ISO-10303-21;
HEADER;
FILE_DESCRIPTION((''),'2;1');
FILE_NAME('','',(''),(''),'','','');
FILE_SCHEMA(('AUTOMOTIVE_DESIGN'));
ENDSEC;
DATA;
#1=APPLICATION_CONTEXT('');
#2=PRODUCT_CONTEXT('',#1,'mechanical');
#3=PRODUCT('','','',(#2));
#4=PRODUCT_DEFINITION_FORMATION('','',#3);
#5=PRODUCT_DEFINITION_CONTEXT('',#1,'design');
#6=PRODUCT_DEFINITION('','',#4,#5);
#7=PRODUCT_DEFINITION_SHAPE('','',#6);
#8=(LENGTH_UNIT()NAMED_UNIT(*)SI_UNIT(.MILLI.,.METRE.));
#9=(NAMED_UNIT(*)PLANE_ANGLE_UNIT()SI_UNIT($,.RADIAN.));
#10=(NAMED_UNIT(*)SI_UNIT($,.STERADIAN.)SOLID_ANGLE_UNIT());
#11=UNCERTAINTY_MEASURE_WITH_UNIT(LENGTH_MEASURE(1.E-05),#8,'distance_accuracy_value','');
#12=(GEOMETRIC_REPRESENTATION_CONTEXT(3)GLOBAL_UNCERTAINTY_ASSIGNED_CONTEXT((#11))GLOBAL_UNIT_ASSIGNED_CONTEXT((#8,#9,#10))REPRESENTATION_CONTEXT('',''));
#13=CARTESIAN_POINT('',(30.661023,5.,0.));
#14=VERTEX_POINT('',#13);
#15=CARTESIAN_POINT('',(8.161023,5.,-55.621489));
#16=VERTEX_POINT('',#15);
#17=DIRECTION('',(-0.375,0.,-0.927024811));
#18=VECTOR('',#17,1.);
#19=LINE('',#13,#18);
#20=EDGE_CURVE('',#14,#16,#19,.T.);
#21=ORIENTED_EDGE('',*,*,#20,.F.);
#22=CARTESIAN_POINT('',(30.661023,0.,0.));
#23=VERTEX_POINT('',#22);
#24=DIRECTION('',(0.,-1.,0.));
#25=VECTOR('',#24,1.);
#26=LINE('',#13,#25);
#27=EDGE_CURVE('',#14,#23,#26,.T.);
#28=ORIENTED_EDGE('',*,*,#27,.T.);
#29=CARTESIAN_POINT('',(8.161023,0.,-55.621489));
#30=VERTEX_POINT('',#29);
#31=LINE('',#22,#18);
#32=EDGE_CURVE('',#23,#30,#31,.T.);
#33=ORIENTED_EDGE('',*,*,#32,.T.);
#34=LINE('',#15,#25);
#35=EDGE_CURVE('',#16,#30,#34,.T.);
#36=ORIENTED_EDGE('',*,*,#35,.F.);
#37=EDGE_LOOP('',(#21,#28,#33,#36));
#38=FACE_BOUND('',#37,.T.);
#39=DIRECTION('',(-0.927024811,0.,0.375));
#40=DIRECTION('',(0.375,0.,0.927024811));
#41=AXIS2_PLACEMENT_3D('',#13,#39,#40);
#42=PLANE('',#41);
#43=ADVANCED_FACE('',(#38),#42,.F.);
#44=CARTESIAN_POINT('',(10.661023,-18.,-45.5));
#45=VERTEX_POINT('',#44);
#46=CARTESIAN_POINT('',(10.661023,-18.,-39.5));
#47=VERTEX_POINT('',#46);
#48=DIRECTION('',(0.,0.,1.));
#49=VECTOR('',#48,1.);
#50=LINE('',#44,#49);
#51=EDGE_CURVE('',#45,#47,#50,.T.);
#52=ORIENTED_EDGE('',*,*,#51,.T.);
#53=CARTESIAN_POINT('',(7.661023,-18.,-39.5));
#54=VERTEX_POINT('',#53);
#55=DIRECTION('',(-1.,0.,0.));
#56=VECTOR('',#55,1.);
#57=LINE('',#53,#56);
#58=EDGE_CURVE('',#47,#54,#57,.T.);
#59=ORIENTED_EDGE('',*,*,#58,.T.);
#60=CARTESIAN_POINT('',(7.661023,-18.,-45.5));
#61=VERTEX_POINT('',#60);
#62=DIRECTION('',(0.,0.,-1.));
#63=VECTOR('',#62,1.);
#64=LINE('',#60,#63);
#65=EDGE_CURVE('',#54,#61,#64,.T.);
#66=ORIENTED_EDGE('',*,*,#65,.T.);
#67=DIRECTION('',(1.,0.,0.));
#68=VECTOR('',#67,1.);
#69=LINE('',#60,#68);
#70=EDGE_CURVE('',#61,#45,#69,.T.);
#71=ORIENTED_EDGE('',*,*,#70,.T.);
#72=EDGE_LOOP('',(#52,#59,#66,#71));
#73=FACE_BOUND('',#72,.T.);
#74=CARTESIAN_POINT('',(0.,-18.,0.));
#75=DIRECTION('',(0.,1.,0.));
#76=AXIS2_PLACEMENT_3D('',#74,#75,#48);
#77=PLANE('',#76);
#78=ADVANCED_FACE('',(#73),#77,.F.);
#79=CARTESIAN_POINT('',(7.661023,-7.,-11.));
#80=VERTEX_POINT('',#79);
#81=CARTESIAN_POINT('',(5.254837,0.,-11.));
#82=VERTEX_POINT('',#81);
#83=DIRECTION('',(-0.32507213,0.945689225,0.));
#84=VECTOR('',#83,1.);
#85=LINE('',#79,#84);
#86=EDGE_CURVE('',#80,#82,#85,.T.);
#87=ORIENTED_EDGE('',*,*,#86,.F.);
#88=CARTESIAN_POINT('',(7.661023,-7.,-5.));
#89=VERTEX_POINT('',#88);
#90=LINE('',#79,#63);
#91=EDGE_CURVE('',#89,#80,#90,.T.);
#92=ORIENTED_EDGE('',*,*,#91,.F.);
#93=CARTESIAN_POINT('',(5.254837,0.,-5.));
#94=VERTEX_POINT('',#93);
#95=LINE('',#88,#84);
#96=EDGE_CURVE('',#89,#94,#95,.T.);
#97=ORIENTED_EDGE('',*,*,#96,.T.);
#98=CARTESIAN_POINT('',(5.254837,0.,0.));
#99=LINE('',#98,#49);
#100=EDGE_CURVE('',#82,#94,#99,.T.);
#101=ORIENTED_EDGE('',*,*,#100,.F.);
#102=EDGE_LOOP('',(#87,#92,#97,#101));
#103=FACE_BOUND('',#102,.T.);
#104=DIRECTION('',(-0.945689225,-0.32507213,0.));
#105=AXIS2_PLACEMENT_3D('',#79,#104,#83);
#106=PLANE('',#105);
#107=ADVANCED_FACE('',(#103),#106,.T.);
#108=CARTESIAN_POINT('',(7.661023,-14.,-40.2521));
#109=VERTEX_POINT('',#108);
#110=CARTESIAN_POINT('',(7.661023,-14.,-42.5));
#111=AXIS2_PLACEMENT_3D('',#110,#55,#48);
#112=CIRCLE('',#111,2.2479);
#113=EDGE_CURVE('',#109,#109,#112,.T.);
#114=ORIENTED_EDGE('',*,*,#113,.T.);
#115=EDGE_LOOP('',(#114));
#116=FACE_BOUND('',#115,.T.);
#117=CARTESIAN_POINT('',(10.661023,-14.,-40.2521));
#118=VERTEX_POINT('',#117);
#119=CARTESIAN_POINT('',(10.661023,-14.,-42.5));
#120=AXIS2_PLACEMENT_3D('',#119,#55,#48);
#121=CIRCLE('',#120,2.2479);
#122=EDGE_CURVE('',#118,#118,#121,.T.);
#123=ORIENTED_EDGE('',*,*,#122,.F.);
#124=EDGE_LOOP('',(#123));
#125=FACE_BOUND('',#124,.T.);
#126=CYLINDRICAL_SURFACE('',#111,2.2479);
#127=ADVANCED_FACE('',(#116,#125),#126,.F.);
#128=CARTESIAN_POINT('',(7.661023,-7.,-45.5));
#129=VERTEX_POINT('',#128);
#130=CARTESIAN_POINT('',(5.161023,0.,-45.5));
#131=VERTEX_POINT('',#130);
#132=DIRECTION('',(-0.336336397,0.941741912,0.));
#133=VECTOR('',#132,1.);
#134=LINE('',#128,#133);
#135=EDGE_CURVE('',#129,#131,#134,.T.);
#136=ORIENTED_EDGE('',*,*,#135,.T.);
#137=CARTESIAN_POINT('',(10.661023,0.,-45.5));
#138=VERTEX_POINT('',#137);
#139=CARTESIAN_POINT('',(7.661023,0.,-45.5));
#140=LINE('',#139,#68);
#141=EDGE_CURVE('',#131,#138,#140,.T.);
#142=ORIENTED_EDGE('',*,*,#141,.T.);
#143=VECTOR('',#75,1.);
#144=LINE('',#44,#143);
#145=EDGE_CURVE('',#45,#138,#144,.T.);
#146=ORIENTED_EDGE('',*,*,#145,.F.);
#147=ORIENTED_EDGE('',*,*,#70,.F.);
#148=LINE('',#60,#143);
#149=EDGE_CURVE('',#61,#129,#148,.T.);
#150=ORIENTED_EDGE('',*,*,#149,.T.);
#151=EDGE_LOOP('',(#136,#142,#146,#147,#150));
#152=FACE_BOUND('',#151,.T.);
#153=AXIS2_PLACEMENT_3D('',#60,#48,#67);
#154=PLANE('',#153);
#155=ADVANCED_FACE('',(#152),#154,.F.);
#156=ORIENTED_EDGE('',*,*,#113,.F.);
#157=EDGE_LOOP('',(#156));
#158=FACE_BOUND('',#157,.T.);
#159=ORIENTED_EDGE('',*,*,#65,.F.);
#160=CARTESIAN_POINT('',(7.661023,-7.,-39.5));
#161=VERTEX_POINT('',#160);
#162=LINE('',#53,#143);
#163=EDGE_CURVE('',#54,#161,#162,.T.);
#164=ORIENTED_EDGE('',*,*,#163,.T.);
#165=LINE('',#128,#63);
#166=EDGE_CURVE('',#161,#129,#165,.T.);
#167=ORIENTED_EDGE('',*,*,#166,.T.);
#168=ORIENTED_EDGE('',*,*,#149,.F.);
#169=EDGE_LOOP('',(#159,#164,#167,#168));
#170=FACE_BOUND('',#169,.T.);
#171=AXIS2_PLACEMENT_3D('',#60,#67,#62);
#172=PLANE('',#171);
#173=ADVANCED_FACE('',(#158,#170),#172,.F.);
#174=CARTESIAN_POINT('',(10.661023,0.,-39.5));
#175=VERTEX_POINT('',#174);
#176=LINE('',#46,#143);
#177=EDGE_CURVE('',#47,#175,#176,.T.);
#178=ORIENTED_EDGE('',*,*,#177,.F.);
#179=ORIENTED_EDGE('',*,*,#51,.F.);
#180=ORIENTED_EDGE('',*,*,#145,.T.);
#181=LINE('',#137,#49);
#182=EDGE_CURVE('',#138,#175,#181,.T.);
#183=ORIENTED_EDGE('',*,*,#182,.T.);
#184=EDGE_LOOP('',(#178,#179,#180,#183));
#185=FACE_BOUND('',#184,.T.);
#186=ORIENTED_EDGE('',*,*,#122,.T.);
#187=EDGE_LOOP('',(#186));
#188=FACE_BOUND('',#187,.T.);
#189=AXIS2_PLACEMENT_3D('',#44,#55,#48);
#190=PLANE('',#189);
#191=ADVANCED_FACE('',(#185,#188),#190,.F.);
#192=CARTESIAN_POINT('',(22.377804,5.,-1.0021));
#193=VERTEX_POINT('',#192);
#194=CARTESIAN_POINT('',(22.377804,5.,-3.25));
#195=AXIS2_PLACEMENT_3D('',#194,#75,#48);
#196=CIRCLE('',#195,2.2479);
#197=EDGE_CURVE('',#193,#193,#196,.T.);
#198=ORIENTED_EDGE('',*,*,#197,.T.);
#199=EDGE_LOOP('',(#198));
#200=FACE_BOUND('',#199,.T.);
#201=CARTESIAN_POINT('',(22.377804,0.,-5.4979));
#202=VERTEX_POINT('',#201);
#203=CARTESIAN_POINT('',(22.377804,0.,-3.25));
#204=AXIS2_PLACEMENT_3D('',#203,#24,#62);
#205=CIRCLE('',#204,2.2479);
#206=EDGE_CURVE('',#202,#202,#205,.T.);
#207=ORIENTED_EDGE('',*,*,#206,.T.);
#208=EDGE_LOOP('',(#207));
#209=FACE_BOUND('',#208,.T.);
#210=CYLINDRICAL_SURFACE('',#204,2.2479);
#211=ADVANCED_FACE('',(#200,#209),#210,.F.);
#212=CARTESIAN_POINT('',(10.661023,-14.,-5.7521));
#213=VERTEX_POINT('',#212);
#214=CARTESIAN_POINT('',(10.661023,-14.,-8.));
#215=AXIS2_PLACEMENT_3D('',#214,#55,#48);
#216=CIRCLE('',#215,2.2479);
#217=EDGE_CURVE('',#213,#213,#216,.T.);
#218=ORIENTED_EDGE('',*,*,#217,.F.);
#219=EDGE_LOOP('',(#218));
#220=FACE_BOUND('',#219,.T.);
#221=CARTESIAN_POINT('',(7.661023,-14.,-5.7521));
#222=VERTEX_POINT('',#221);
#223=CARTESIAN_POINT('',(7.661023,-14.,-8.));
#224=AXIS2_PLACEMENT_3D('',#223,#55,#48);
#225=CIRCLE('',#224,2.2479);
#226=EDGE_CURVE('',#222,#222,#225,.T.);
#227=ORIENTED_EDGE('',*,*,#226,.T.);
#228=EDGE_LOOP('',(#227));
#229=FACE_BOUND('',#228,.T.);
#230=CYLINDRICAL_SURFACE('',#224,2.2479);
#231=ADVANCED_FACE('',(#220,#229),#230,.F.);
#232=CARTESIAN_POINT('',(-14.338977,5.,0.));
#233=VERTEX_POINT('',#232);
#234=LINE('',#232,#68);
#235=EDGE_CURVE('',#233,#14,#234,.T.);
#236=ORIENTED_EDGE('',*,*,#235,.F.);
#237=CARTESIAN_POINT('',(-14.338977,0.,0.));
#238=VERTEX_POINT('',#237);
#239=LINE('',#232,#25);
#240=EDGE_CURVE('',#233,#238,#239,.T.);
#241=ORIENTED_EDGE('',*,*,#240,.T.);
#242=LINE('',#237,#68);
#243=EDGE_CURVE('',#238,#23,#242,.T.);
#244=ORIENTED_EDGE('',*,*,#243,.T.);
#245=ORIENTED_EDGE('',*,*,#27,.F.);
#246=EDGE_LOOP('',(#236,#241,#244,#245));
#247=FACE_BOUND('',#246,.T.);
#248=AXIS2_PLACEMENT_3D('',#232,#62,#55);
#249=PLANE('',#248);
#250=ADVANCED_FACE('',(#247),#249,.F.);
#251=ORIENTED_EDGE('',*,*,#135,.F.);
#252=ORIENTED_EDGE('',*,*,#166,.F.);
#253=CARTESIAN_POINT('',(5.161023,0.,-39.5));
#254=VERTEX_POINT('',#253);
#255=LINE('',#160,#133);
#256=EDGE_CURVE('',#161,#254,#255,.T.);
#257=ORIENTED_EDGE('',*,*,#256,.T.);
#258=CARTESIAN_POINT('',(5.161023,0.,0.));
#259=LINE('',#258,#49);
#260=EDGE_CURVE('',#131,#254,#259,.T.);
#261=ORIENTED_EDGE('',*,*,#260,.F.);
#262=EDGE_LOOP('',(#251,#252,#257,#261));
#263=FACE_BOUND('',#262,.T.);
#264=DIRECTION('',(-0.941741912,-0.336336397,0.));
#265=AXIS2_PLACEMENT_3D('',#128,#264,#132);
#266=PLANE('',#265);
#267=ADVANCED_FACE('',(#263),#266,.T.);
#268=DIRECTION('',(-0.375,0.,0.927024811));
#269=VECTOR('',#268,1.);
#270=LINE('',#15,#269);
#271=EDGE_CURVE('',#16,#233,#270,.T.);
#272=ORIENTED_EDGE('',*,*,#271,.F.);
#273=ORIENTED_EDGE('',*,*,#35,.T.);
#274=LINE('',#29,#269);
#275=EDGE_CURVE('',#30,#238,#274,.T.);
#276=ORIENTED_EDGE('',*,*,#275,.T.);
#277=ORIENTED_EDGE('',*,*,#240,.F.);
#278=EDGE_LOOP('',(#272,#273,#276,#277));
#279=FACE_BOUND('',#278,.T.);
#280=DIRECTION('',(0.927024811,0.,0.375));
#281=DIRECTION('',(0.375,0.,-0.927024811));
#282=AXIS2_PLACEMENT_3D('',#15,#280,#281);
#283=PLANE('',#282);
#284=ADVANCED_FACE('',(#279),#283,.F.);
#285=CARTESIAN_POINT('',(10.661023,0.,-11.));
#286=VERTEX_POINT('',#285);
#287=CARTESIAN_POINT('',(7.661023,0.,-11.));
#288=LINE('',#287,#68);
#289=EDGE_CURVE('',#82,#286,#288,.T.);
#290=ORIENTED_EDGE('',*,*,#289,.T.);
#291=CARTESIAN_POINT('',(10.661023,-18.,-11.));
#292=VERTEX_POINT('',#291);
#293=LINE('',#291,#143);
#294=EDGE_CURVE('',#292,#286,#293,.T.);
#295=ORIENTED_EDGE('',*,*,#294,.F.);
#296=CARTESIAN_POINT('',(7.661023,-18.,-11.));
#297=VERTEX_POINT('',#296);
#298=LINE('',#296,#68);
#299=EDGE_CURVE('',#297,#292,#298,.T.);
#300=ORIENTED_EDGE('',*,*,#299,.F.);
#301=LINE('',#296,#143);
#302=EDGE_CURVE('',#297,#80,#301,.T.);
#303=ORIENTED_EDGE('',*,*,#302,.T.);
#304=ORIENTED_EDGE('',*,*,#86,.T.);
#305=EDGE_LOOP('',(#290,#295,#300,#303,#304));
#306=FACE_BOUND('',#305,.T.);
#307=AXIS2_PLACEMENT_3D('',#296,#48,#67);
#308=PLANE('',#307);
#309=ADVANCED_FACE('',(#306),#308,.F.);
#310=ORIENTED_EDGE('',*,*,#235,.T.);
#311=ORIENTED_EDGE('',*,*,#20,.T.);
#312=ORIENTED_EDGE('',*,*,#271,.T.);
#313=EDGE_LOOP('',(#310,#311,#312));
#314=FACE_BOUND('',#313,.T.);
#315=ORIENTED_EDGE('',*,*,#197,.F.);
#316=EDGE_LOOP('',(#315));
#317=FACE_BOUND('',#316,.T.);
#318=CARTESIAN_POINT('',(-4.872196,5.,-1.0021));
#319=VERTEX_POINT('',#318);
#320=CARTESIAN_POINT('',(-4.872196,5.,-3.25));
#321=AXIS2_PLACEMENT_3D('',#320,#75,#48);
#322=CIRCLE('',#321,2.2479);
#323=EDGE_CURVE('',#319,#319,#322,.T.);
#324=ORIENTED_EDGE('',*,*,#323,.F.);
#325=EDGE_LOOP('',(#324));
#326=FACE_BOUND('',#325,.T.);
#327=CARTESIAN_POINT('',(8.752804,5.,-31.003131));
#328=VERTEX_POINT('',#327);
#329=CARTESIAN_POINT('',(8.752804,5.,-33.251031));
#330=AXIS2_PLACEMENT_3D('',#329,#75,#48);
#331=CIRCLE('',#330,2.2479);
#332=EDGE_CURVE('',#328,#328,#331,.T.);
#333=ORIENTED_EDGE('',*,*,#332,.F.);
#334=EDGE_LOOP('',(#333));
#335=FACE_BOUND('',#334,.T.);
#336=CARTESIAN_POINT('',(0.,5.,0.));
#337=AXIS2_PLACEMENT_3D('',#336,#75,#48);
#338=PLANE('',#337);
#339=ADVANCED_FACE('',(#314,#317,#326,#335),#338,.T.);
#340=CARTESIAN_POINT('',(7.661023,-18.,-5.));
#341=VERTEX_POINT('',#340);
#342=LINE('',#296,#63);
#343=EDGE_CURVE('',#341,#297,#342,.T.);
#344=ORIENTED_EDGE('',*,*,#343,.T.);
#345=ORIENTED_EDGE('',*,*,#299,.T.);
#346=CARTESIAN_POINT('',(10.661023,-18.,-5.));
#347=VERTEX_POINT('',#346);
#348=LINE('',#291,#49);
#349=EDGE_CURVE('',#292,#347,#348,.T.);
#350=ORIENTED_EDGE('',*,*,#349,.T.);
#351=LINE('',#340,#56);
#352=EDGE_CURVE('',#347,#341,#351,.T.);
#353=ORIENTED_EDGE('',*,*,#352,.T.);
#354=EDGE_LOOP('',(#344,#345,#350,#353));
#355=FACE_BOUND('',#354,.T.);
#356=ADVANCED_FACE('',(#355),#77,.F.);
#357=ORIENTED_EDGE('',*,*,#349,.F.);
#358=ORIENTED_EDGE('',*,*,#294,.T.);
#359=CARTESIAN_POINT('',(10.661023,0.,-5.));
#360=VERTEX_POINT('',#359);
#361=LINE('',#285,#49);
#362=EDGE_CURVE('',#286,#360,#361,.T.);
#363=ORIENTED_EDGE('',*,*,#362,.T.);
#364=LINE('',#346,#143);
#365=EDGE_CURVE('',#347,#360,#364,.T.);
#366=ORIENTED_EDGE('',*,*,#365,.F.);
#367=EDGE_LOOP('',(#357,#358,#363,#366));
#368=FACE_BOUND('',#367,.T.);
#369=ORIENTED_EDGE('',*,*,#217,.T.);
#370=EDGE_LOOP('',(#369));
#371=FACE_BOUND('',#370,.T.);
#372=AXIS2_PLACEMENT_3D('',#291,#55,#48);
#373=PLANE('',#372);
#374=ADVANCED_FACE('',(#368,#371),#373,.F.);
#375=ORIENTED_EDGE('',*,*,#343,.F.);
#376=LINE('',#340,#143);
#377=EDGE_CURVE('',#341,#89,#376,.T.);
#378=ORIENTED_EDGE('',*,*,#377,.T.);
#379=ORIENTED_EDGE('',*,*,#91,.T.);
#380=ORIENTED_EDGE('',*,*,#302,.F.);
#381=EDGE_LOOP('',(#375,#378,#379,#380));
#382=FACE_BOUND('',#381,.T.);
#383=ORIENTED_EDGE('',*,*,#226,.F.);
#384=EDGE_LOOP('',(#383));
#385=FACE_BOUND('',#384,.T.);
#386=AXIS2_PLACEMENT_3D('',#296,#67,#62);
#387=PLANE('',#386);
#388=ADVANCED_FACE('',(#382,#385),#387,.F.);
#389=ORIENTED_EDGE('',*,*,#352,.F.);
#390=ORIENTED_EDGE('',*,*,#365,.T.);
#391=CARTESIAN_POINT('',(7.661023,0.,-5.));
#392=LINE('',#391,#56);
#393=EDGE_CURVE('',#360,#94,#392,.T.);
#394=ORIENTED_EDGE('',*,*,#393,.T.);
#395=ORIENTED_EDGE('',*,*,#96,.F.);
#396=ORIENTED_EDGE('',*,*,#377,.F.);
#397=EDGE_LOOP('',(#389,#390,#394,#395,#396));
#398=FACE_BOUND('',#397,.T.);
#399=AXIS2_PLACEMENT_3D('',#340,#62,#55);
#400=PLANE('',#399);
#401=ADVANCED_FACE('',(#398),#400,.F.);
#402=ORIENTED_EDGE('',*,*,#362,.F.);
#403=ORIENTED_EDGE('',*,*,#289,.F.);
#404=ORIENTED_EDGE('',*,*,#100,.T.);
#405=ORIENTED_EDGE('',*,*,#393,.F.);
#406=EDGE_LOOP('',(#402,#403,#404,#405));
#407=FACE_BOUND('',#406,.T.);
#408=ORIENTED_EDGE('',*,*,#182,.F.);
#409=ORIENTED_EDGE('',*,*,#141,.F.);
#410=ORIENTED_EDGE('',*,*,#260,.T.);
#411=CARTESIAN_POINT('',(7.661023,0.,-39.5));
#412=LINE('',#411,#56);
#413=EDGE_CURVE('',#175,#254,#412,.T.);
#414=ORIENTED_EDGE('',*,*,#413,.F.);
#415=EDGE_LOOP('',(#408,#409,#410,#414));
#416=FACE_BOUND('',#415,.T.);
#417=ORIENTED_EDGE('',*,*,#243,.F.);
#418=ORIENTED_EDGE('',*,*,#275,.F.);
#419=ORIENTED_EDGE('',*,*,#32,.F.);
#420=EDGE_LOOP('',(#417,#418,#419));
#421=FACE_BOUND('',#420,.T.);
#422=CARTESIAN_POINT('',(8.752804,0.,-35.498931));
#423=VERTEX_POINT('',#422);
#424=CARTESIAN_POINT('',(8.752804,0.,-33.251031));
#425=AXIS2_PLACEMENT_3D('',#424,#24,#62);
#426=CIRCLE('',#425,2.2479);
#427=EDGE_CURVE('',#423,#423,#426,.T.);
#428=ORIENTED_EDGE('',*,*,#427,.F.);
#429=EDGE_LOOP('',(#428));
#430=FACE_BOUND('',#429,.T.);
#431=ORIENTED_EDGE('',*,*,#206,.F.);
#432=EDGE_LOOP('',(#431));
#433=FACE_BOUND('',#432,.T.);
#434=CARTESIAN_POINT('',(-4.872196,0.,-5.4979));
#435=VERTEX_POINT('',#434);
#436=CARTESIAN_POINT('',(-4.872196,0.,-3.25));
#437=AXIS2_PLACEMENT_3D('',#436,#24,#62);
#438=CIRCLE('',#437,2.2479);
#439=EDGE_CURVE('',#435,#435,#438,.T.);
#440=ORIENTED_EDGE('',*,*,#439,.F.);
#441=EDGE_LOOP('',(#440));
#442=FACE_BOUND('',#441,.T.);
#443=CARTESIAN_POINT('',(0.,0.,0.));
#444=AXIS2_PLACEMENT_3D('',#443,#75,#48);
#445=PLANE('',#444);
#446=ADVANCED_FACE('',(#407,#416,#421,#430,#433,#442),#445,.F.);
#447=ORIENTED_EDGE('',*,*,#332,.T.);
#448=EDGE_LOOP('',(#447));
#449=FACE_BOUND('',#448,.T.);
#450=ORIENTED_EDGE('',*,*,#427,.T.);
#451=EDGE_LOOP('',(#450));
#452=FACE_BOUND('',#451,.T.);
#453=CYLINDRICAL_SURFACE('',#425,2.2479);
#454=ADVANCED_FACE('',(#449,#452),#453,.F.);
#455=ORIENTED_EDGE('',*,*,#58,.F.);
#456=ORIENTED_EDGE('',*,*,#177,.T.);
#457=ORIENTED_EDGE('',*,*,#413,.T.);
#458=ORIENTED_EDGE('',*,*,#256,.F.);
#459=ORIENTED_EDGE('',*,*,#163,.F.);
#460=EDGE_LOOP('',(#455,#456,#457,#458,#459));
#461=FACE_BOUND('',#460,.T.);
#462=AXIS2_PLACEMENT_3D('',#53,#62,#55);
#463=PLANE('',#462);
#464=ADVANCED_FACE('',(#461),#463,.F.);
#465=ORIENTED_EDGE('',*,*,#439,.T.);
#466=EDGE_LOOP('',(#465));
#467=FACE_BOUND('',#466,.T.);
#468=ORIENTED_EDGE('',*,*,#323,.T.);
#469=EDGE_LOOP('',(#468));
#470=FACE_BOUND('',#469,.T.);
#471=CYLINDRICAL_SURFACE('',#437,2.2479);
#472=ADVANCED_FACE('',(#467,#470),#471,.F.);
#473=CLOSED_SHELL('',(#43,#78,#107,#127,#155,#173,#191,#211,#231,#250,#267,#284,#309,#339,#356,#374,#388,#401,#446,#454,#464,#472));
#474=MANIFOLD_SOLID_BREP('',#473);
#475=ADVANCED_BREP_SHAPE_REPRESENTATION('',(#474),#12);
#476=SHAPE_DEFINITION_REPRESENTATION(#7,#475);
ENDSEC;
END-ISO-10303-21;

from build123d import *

# Parameters (mm, degrees)
BOSS_EXTRUDE1_DEPTH       = 5
F_8_CLEARANCE_HOLE1_D     = 4.4958
F_8_CLEARANCE_HOLE1_DEPTH = 17
F_8_CLEARANCE_HOLE1_TIP   = 1.350674586
SKETCH3_W                 = 3
SKETCH3_H                 = 6
BOSS_EXTRUDE2_DEPTH       = 18
RIB2_REACH                = 59.744
SKETCH17_WALL_W           = 124.92066757
SKETCH17_WALL_H           = 6
RIB3_REACH                = 59.054
SKETCH18_WALL_W           = 123.798893364
SKETCH18_WALL_H           = 6
F_8_CLEARANCE_HOLE2_D     = 4.4958
F_8_CLEARANCE_HOLE2_DEPTH = 17
F_8_CLEARANCE_HOLE2_TIP   = 1.350674586


with BuildPart() as part:
    # Sketch1 → Boss-Extrude1 (new body)
    with BuildSketch(Plane(origin=(0, 0, 0), x_dir=(1, 0, 0), z_dir=(0, 1, 0))):
        Polygon((-14.338976611, 0), (30.661023389, 0), (8.161023389, 55.621488653), align=None)
    extrude(amount=BOSS_EXTRUDE1_DEPTH)

    # #8 Clearance Hole1
    with Locations(Plane(origin=(22.377803879, 0, -3.25), x_dir=(0, 0, -1), z_dir=(0, -1, 0))):
        with Locations((0, 0), (0, -27.25), (30.001031232, -13.625)):
            Hole(F_8_CLEARANCE_HOLE1_D / 2, depth=F_8_CLEARANCE_HOLE1_DEPTH)
            with Locations((0, 0, -(F_8_CLEARANCE_HOLE1_DEPTH + F_8_CLEARANCE_HOLE1_TIP / 2))):  # 118° drill point
                Cone(0, F_8_CLEARANCE_HOLE1_D / 2, F_8_CLEARANCE_HOLE1_TIP, mode=Mode.SUBTRACT)

    # Sketch3 → Boss-Extrude2 (add)
    with BuildSketch(Plane(origin=(0, 0, 0), x_dir=(-1, 0, 0), z_dir=(0, -1, 0))):
        with Locations((-9.161023389, 42.5)):
            Rectangle(SKETCH3_W, SKETCH3_H)
        with Locations((-9.161023389, 8)):
            Rectangle(SKETCH3_W, SKETCH3_H)
    extrude(amount=BOSS_EXTRUDE2_DEPTH)

    # Sketch17 wall → Rib2 (add, up to next)
    with BuildSketch(Plane(origin=(6.411023389, -3.5, -45.5), x_dir=(-0.336336396998, 0.941741911595, 0), z_dir=(0.941741911595, 0.336336396998, 0)), mode=Mode.PRIVATE) as rib2_sk1:
        with Locations((0, 3)):
            Rectangle(SKETCH17_WALL_W, SKETCH17_WALL_H)
    rib2_tool1 = extrude(rib2_sk1.sketch, amount=RIB2_REACH, mode=Mode.PRIVATE) - part.part
    add(rib2_tool1.solids().sort_by_distance((6.411023389, -3.5, -45.5))[0])

    # Sketch18 wall → Rib3 (add, up to next)
    with BuildSketch(Plane(origin=(6.411023389, -3.36354082, -11), x_dir=(-0.32507212999, 0.945689225012, 0), z_dir=(0.945689225012, 0.32507212999, 0)), mode=Mode.PRIVATE) as rib3_sk1:
        with Locations((0, 3)):
            Rectangle(SKETCH18_WALL_W, SKETCH18_WALL_H)
    rib3_tool1 = extrude(rib3_sk1.sketch, amount=RIB3_REACH, mode=Mode.PRIVATE) - part.part
    add(rib3_tool1.solids().sort_by_distance((6.411023389, -3.36354082, -11))[0])

    # #8 Clearance Hole2
    with Locations(Plane(origin=(7.661023389, -14, -42.5), x_dir=(0, 0, -1), z_dir=(-1, 0, 0))):
        with Locations((0, 0), (-34.5, 0)):
            Hole(F_8_CLEARANCE_HOLE2_D / 2, depth=F_8_CLEARANCE_HOLE2_DEPTH)
            with Locations((0, 0, -(F_8_CLEARANCE_HOLE2_DEPTH + F_8_CLEARANCE_HOLE2_TIP / 2))):  # 118° drill point
                Cone(0, F_8_CLEARANCE_HOLE2_D / 2, F_8_CLEARANCE_HOLE2_TIP, mode=Mode.SUBTRACT)


solid = part.part
